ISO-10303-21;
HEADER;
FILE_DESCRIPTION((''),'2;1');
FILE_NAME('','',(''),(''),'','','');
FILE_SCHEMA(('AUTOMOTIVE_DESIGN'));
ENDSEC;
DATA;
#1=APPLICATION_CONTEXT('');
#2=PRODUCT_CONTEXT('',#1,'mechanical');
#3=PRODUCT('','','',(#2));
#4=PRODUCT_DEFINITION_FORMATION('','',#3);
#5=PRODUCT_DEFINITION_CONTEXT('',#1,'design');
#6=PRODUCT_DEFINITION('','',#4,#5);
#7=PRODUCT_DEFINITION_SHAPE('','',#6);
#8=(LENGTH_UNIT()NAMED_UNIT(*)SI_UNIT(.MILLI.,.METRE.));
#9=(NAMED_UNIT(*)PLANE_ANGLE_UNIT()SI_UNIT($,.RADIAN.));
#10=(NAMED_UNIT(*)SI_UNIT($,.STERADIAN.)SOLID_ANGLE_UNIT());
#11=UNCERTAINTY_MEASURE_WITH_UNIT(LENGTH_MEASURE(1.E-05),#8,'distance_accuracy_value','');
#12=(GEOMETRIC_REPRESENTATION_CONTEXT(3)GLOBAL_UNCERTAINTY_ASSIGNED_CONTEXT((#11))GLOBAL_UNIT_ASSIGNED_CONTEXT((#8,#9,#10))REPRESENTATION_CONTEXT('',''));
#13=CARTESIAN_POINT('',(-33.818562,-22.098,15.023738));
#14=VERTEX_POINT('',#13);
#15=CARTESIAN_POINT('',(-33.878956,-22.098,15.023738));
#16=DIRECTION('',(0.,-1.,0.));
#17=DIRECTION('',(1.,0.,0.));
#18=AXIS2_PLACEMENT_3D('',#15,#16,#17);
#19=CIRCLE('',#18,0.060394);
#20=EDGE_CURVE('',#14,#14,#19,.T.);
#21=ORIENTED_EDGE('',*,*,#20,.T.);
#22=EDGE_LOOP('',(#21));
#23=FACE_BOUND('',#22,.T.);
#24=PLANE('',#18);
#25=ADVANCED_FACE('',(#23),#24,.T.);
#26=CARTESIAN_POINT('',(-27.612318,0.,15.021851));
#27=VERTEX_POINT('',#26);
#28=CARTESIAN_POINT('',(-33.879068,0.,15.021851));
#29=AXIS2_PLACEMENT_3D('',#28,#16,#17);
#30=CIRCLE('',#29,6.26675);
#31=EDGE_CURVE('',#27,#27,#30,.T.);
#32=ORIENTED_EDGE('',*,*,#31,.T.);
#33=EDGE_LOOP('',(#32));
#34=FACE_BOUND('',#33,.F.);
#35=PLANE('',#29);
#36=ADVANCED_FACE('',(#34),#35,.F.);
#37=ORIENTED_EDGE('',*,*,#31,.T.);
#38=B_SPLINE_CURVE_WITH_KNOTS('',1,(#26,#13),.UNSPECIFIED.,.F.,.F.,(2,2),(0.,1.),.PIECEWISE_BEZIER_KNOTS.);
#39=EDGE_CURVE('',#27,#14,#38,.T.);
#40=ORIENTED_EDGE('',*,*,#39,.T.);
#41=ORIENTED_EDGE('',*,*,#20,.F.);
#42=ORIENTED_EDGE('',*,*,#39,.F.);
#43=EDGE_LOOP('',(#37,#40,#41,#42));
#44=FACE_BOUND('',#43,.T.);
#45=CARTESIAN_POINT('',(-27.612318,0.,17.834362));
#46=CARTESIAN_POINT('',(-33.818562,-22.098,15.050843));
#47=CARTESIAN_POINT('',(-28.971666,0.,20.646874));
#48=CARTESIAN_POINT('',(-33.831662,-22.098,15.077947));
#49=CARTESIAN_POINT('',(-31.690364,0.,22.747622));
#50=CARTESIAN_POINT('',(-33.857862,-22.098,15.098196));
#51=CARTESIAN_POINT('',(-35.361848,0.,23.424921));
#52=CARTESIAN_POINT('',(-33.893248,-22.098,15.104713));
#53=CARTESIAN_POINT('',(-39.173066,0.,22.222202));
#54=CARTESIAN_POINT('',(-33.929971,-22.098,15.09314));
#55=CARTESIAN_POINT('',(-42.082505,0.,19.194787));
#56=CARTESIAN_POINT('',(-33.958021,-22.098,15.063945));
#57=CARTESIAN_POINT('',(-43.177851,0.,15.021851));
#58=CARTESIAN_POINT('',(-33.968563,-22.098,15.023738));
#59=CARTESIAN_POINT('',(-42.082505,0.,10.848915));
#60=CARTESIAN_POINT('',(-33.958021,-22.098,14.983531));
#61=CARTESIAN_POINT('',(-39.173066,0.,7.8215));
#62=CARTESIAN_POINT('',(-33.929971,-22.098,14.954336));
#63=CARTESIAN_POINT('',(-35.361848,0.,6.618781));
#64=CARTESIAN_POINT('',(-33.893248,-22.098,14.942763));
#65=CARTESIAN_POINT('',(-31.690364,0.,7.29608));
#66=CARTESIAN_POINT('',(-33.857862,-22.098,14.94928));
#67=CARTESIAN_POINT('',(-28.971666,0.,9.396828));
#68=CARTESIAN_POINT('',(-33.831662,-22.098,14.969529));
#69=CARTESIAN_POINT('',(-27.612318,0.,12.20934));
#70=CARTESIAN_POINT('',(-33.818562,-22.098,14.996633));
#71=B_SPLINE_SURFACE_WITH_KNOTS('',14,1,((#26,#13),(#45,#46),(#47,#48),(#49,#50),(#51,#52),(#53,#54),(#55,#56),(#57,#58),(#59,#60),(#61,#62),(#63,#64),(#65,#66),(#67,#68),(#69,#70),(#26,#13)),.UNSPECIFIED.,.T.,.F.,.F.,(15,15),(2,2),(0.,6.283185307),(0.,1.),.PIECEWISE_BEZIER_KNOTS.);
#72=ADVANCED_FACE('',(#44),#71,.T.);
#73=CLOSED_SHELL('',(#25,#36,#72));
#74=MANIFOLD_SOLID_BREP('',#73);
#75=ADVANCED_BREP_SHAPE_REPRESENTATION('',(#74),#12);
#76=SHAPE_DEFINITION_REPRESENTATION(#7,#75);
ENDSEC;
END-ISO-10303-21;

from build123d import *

# Parameters (mm, degrees)
F0_R = 6.26675
F2_R = 0.060394


with BuildPart() as f3:
    # F0 (on Front) → F3 section 0
    with BuildSketch(Plane.XZ):
        with Locations((-33.879068, 15.021851)):
            Circle(F0_R)
    # F2 (on offset) → F3 section 1
    with BuildSketch(Plane.XZ.offset(22.098)):
        with Locations((-33.878956, 15.023738)):
            Circle(F2_R)
    loft()


solid = f3.part
